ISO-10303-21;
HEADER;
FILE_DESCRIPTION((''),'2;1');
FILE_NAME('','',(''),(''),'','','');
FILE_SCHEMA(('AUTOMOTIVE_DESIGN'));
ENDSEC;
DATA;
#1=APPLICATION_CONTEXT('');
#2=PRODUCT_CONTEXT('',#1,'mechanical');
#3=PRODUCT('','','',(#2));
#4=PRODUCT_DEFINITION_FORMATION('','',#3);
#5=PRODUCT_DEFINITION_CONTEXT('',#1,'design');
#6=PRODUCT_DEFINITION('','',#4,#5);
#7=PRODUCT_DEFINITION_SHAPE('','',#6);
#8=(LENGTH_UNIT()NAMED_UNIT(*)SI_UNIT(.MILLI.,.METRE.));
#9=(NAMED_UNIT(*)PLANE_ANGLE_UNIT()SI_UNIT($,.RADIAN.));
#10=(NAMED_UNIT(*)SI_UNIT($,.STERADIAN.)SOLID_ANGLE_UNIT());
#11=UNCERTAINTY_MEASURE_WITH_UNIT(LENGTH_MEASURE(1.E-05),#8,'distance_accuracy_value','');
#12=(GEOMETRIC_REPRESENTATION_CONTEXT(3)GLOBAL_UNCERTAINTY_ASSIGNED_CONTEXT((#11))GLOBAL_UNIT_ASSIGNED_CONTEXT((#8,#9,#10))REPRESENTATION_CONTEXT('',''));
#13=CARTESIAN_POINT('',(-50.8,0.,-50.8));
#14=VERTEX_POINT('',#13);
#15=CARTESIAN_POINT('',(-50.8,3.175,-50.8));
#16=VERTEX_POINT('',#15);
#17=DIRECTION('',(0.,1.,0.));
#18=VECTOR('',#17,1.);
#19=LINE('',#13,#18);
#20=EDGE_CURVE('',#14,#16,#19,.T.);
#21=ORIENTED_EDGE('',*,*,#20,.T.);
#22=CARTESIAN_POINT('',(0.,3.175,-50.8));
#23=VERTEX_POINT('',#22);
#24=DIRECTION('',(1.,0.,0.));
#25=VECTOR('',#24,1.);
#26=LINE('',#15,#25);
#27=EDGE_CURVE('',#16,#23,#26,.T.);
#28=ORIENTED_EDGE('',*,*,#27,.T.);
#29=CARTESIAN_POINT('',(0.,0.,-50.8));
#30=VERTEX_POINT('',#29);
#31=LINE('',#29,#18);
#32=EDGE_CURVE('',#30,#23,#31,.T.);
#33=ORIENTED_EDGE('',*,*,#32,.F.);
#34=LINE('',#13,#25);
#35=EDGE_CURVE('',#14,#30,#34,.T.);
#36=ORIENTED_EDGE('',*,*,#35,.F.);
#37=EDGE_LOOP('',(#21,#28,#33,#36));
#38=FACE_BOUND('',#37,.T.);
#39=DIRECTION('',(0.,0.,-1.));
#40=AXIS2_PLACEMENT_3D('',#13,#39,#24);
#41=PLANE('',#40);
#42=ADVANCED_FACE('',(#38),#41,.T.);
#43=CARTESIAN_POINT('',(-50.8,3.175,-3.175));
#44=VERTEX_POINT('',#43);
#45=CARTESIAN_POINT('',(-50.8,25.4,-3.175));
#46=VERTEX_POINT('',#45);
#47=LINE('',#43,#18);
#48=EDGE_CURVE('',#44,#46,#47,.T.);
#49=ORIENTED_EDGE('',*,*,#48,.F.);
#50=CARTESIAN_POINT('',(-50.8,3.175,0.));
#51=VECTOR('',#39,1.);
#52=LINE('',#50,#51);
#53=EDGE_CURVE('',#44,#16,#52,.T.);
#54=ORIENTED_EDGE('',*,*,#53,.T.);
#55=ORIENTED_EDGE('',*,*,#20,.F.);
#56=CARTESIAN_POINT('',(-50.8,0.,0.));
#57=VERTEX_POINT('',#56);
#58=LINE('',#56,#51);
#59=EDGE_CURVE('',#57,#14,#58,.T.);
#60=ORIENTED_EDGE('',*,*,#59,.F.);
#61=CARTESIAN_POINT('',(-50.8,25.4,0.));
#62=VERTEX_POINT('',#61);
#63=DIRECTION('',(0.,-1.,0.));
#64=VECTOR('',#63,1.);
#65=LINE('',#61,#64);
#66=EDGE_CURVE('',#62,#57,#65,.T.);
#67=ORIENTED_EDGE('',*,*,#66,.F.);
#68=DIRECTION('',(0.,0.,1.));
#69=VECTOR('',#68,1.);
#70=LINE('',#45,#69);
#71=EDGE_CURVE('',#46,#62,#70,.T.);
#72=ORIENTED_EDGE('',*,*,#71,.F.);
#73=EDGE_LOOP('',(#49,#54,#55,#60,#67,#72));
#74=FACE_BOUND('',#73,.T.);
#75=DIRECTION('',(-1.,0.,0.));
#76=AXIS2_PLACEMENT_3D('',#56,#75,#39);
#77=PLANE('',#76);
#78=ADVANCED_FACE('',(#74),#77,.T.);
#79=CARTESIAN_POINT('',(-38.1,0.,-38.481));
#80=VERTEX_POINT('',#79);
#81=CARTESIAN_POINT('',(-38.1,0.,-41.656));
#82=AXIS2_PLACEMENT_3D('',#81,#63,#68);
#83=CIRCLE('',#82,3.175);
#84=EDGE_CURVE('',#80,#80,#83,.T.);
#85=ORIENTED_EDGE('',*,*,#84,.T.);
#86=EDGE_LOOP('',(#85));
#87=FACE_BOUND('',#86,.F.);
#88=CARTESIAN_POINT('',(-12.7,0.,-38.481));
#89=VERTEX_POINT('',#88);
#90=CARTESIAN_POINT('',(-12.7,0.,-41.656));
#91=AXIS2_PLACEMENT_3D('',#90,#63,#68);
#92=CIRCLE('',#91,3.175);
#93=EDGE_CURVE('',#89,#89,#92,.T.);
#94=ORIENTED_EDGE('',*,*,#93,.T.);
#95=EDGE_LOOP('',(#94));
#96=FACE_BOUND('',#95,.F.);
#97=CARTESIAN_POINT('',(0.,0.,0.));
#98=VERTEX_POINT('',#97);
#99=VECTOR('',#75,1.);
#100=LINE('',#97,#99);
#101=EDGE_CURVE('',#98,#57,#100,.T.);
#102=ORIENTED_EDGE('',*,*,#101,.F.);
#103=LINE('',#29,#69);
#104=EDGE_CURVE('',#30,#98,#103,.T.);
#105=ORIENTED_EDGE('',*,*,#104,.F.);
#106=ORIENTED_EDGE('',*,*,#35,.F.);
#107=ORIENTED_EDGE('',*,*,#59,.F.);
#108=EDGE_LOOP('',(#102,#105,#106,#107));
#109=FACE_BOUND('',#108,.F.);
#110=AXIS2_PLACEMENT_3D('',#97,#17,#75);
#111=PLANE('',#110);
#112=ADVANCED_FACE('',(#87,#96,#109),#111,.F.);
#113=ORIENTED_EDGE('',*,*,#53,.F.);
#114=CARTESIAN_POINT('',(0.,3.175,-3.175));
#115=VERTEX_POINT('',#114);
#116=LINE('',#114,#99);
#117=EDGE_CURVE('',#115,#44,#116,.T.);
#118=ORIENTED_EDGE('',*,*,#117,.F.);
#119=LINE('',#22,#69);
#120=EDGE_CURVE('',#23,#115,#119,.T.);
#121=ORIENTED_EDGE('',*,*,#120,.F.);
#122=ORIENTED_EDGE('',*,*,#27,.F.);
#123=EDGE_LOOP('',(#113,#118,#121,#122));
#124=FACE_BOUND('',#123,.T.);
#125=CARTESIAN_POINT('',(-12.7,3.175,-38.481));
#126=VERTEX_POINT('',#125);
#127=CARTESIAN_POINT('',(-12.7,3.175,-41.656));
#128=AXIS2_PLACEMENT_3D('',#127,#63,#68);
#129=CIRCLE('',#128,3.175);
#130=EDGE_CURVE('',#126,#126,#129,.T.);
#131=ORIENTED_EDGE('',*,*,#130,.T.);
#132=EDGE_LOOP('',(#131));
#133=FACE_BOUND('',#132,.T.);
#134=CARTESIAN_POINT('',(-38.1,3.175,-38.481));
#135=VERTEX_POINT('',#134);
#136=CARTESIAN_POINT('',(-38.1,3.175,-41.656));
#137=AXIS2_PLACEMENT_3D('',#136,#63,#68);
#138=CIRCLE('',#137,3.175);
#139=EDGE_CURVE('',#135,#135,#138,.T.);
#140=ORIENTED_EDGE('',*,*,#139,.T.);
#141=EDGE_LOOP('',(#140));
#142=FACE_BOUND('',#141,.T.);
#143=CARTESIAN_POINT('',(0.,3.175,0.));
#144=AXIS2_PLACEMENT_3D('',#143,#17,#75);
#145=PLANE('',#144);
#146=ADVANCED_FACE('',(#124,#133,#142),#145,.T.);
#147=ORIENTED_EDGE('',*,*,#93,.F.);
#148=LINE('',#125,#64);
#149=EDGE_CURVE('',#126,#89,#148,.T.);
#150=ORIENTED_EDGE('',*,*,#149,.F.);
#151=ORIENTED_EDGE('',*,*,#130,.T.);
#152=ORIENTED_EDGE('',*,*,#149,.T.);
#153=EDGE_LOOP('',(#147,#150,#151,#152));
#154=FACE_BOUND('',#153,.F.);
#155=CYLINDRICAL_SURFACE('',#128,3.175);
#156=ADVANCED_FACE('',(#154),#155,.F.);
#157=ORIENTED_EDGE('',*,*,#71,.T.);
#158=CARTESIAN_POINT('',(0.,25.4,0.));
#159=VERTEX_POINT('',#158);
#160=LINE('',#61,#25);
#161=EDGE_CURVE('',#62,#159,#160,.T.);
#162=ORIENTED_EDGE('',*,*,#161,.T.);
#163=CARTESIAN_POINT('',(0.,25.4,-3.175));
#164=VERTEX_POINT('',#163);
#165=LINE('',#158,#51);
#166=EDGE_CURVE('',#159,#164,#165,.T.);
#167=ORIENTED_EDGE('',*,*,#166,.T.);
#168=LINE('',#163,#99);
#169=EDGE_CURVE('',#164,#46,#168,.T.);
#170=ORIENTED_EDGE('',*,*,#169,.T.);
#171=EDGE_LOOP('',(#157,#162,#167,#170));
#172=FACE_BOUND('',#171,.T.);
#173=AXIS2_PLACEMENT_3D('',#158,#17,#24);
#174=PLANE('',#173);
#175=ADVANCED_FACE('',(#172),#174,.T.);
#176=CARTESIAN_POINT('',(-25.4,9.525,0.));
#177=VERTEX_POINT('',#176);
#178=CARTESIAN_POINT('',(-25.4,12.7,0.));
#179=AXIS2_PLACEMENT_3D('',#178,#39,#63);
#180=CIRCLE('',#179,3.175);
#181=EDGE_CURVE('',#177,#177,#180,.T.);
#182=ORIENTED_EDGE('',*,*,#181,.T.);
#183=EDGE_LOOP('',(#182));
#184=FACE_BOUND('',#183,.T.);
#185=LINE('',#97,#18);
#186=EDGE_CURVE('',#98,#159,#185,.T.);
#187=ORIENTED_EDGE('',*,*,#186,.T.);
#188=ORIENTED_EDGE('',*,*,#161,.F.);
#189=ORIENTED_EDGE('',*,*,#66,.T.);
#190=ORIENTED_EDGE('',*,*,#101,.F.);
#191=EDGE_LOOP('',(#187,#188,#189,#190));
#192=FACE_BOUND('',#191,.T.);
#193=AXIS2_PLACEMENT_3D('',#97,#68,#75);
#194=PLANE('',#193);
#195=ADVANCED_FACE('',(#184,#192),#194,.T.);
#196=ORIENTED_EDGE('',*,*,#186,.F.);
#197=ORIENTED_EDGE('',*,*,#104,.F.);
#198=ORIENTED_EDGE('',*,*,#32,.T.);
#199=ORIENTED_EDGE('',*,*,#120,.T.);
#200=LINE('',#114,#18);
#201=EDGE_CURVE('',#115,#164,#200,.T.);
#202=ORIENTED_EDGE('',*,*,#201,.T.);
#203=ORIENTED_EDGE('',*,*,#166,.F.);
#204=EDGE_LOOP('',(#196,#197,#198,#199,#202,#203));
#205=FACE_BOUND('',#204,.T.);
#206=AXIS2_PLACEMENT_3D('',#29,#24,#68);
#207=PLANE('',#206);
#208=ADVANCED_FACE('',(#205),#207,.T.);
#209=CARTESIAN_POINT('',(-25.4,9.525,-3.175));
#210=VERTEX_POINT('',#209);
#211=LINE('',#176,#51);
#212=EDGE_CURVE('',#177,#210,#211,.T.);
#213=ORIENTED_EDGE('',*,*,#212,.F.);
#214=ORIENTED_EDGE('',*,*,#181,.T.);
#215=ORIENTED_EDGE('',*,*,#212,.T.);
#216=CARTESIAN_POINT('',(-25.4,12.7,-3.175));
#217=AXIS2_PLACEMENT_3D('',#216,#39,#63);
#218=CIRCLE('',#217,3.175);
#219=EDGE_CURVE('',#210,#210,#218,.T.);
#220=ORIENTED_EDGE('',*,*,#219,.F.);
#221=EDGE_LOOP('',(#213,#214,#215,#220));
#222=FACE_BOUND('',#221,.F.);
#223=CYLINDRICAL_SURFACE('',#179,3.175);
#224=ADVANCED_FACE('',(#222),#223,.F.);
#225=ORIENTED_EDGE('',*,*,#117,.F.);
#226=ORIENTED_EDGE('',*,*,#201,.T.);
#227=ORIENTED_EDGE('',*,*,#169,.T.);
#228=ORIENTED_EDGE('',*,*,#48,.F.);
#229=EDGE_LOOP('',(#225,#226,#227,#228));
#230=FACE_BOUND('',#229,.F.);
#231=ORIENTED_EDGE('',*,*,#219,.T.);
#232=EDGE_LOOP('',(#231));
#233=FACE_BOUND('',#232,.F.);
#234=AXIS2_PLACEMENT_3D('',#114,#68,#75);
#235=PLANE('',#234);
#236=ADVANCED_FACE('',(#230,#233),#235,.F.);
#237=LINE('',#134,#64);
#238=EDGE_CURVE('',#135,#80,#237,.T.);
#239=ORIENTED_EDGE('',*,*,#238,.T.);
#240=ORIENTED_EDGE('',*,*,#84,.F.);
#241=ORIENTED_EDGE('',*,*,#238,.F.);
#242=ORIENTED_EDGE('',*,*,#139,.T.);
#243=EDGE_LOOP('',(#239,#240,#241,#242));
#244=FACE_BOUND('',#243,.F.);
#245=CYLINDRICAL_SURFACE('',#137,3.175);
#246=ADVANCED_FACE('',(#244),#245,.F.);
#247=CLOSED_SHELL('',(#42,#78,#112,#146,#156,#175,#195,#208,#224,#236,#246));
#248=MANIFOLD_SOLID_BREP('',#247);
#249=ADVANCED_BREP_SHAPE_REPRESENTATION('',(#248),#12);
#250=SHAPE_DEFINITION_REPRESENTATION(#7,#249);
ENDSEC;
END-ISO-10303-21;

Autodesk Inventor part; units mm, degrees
ref_plane "YZ Plane" through (0, 0, 0) normal (1, 0, 0) x (0, 1, 0)
ref_plane "XZ Plane" through (0, 0, 0) normal (0, 1, 0) x (-1, 0, 0)
ref_plane "XY Plane" through (0, 0, 0) normal (0, 0, 1) x (1, 0, 0)
sketch "Sketch1" plane through (0, 0, 0) normal (0, 1, 0) x (-1, 0, 0)
  line L0 (0, 0) -> (50.8, 0)
  line L1 (50.8, 0) -> (50.8, -50.8)
  line L2 (50.8, -50.8) -> (0, -50.8)
  line L3 (0, -50.8) -> (0, 0)
  dimension "d0" = 50.8
  dimension "d1" = 50.8
extrude "Extrusion1" add sketch "Sketch1" along normal blind 3.175
sketch "Sketch2" plane through (0, 3.175, 0) normal (0, 1, 0) x (1, 0, 0)
  line L0 (-50.8, 0) -> (0, 0) projected
  line L1 (0, 0) -> (0, 50.8) projected
  line L2 (-50.8, 0) -> (0, 0)
  line L3 (0, 0) -> (0, 3.175)
  line L4 (0, 3.175) -> (-50.8, 3.175)
  line L5 (-50.8, 3.175) -> (-50.8, 0)
  dimension "d4" = 3.175
extrude "Extrusion2" add sketch "Sketch2" along normal blind 22.225
sketch "Sketch3" plane through (0, 3.175, 0) normal (0, 1, 0) x (1, 0, 0)
  line L0 (0, 3.175) -> (0, 50.8) projected
  line L1 (-50.8, 50.8) -> (-50.8, 3.175) projected
  line L2 (0, 50.8) -> (-50.8, 50.8) projected
  point P0 (0, 0)
  point P1 (-12.7, 41.656)
  point P2 (-38.1, 41.656)
  dimension "d9" = 9.144
  dimension "d10" = 9.144
  dimension "d18" = 25.4
  dimension "d19" = 12.7
  dimension "d20" = 12.7
  dimension "d21" = 50.8
hole "Hole1" at (-12.7, 3.175, -41.656) at (-38.1, 3.175, -41.656) direction (0, -1, 0) diameter 6.35 depth 25.4 tip angle 118
sketch "Sketch5" plane through (-50.8, 0, 0) normal (0, 0, 1) x (1, 0, 0)
  line L0 (0, 25.4) -> (50.8, 25.4) projected
  line L1 (50.8, 0) -> (50.8, 25.4) projected
  point P0 (25.4, 12.7)
  dimension "d23" = 12.7
  dimension "d24" = 25.4
hole "Hole2" at (-25.4, 12.7, 0) direction (0, 0, -1) diameter 6.35 end through all
equation "\"d10\" = d9"
equation "\"d19\" = -0.5 * d18 + 0.5 * d21"
properties part number "improved transmission bracket"
